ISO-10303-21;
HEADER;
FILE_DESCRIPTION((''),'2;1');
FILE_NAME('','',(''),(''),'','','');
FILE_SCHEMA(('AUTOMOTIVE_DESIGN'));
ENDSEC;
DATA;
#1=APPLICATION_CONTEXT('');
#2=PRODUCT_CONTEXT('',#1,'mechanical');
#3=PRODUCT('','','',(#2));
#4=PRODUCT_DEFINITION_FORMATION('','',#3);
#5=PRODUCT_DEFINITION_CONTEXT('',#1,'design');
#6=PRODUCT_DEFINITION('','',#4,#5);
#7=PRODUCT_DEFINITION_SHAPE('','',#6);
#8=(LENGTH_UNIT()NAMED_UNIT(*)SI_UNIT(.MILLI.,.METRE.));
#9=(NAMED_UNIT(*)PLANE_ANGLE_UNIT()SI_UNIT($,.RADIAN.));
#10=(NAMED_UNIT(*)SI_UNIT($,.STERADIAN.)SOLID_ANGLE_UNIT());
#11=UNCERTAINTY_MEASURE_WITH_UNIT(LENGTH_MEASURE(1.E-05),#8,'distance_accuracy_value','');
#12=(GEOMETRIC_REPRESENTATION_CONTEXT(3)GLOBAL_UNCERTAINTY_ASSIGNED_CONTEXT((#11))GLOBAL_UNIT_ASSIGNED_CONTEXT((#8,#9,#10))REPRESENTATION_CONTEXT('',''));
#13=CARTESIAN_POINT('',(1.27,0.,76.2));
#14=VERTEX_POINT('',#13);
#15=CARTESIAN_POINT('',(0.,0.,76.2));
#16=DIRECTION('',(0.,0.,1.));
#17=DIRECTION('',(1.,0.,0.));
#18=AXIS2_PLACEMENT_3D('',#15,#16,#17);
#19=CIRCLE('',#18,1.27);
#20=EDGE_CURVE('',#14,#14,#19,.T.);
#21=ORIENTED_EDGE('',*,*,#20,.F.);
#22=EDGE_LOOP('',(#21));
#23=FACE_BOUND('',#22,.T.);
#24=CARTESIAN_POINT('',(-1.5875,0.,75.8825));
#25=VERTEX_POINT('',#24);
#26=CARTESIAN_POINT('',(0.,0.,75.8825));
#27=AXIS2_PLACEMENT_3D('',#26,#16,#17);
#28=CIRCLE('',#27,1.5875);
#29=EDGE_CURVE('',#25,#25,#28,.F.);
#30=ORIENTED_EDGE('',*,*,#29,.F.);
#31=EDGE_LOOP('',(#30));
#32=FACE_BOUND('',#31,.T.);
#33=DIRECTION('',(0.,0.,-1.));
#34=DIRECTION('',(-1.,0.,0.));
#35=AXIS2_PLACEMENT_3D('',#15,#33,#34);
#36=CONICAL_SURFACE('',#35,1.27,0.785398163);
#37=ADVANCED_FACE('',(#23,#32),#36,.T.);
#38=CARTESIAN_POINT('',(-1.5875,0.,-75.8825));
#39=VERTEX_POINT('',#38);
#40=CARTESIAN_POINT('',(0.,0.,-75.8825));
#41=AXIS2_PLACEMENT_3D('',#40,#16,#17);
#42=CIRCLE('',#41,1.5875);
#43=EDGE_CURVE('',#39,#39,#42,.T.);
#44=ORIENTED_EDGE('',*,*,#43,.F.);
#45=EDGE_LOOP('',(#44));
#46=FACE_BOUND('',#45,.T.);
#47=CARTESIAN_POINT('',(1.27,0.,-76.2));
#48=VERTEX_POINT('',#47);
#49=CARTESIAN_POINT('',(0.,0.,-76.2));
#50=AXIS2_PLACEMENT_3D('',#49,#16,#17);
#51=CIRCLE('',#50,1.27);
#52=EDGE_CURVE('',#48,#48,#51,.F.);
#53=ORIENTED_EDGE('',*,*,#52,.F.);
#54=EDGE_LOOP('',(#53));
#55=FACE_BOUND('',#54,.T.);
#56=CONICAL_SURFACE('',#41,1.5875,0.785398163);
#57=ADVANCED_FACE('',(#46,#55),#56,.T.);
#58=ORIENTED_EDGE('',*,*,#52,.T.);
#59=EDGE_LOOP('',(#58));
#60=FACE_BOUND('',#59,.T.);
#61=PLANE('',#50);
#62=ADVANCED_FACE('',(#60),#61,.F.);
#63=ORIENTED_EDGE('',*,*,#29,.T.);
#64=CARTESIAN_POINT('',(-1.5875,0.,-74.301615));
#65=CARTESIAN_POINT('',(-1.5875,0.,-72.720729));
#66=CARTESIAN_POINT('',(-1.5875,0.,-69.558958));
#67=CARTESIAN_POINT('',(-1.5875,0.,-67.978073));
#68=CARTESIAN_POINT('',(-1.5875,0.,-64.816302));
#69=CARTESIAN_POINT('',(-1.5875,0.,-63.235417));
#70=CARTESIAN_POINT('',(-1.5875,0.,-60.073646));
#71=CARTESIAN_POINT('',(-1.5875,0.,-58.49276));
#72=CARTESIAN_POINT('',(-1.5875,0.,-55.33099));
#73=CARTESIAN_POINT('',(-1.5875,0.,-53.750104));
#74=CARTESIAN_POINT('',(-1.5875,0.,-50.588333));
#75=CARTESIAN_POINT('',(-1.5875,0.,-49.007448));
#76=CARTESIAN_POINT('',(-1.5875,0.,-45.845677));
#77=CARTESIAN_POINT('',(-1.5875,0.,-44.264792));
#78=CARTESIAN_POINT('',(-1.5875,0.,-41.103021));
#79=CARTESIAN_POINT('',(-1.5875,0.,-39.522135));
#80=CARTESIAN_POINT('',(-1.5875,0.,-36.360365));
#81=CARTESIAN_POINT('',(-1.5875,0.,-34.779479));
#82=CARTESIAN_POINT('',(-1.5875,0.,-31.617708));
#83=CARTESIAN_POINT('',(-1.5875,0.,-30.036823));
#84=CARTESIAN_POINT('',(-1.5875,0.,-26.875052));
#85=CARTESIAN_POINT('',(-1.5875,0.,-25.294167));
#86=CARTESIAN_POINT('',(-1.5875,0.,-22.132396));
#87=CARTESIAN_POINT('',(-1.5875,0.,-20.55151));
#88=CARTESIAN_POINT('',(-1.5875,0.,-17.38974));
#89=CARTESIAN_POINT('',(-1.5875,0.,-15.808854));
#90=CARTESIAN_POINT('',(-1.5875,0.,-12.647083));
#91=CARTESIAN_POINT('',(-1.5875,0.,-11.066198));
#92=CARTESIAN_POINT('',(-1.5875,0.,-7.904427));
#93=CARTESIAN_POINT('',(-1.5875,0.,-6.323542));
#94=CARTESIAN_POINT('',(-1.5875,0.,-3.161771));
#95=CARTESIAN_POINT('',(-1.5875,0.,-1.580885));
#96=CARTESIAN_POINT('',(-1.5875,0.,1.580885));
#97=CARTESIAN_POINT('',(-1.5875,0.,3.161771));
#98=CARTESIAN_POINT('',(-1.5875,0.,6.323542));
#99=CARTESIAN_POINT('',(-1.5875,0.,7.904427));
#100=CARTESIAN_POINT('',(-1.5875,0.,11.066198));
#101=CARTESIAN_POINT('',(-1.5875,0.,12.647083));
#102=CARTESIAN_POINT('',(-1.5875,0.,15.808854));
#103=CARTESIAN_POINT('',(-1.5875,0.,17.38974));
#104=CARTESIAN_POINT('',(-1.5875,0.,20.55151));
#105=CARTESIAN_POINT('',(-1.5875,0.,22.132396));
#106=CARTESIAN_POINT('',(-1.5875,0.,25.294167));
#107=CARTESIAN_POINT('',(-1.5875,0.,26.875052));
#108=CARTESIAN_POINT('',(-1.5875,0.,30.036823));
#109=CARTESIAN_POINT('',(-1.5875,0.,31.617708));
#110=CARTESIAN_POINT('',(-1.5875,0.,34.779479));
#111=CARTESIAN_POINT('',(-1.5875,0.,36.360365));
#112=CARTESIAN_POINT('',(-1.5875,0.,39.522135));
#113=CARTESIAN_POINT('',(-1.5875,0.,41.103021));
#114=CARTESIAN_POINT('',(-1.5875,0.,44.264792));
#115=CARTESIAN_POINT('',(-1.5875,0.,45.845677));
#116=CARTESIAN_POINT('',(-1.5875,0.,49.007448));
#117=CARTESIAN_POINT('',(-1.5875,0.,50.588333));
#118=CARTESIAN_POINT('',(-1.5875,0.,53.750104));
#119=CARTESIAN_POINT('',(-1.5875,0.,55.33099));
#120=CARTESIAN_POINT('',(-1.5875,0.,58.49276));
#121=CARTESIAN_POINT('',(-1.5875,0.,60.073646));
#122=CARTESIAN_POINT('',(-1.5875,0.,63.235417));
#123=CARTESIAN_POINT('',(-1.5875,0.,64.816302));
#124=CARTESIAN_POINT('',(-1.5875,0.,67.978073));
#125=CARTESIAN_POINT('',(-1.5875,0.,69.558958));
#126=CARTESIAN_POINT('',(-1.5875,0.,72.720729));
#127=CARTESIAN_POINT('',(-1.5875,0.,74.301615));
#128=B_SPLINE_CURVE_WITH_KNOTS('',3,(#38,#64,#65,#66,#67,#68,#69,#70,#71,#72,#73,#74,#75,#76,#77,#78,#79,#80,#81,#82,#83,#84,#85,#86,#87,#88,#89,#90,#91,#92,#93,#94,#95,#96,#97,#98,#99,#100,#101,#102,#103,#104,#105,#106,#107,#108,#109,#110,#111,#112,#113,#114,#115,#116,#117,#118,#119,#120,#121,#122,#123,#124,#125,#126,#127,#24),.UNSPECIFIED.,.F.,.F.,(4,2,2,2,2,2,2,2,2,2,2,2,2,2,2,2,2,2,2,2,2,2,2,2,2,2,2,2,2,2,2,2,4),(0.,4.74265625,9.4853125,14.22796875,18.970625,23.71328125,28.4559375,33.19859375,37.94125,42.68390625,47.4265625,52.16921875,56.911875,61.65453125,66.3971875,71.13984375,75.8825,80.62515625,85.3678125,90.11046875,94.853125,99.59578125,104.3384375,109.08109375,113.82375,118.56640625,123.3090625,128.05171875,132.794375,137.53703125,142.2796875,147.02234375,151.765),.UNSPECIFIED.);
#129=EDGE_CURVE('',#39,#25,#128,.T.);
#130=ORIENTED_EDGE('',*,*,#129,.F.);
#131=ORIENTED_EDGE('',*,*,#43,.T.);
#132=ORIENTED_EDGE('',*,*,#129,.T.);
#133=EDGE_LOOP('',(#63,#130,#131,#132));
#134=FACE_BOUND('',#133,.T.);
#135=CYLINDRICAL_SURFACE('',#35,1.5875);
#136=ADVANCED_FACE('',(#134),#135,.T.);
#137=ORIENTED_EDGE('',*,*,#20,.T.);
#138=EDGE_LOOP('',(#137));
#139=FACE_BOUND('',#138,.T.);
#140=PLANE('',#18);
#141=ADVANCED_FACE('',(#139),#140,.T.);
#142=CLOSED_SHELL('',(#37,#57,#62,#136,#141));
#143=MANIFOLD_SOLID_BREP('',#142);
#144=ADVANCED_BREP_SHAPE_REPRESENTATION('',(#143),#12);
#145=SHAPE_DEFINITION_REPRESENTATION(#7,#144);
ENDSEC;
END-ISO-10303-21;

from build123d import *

# Parameters (mm, degrees)
SKETCH3_R           = 1.5875
BOSS_EXTRUDE1_DEPTH = 76.2
CHAMFER1_SIZE       = 0.3175


with BuildPart() as part:
    # Sketch3 → Boss-Extrude1 (new, symmetric)
    with BuildSketch(Plane.XY):
        with Locations(Location((0, 0, 0), (0, 0, 180))):
            Circle(SKETCH3_R)
    extrude(amount=BOSS_EXTRUDE1_DEPTH, both=True)

    # Chamfer1
    chamfer1_edges = [part.edges().sort_by_distance(p)[0] for p in [
        (1.5875, 0, -76.2),
        (1.5875, 0, 76.2),
    ]]
    chamfer(chamfer1_edges, length=CHAMFER1_SIZE)


solid = part.part
